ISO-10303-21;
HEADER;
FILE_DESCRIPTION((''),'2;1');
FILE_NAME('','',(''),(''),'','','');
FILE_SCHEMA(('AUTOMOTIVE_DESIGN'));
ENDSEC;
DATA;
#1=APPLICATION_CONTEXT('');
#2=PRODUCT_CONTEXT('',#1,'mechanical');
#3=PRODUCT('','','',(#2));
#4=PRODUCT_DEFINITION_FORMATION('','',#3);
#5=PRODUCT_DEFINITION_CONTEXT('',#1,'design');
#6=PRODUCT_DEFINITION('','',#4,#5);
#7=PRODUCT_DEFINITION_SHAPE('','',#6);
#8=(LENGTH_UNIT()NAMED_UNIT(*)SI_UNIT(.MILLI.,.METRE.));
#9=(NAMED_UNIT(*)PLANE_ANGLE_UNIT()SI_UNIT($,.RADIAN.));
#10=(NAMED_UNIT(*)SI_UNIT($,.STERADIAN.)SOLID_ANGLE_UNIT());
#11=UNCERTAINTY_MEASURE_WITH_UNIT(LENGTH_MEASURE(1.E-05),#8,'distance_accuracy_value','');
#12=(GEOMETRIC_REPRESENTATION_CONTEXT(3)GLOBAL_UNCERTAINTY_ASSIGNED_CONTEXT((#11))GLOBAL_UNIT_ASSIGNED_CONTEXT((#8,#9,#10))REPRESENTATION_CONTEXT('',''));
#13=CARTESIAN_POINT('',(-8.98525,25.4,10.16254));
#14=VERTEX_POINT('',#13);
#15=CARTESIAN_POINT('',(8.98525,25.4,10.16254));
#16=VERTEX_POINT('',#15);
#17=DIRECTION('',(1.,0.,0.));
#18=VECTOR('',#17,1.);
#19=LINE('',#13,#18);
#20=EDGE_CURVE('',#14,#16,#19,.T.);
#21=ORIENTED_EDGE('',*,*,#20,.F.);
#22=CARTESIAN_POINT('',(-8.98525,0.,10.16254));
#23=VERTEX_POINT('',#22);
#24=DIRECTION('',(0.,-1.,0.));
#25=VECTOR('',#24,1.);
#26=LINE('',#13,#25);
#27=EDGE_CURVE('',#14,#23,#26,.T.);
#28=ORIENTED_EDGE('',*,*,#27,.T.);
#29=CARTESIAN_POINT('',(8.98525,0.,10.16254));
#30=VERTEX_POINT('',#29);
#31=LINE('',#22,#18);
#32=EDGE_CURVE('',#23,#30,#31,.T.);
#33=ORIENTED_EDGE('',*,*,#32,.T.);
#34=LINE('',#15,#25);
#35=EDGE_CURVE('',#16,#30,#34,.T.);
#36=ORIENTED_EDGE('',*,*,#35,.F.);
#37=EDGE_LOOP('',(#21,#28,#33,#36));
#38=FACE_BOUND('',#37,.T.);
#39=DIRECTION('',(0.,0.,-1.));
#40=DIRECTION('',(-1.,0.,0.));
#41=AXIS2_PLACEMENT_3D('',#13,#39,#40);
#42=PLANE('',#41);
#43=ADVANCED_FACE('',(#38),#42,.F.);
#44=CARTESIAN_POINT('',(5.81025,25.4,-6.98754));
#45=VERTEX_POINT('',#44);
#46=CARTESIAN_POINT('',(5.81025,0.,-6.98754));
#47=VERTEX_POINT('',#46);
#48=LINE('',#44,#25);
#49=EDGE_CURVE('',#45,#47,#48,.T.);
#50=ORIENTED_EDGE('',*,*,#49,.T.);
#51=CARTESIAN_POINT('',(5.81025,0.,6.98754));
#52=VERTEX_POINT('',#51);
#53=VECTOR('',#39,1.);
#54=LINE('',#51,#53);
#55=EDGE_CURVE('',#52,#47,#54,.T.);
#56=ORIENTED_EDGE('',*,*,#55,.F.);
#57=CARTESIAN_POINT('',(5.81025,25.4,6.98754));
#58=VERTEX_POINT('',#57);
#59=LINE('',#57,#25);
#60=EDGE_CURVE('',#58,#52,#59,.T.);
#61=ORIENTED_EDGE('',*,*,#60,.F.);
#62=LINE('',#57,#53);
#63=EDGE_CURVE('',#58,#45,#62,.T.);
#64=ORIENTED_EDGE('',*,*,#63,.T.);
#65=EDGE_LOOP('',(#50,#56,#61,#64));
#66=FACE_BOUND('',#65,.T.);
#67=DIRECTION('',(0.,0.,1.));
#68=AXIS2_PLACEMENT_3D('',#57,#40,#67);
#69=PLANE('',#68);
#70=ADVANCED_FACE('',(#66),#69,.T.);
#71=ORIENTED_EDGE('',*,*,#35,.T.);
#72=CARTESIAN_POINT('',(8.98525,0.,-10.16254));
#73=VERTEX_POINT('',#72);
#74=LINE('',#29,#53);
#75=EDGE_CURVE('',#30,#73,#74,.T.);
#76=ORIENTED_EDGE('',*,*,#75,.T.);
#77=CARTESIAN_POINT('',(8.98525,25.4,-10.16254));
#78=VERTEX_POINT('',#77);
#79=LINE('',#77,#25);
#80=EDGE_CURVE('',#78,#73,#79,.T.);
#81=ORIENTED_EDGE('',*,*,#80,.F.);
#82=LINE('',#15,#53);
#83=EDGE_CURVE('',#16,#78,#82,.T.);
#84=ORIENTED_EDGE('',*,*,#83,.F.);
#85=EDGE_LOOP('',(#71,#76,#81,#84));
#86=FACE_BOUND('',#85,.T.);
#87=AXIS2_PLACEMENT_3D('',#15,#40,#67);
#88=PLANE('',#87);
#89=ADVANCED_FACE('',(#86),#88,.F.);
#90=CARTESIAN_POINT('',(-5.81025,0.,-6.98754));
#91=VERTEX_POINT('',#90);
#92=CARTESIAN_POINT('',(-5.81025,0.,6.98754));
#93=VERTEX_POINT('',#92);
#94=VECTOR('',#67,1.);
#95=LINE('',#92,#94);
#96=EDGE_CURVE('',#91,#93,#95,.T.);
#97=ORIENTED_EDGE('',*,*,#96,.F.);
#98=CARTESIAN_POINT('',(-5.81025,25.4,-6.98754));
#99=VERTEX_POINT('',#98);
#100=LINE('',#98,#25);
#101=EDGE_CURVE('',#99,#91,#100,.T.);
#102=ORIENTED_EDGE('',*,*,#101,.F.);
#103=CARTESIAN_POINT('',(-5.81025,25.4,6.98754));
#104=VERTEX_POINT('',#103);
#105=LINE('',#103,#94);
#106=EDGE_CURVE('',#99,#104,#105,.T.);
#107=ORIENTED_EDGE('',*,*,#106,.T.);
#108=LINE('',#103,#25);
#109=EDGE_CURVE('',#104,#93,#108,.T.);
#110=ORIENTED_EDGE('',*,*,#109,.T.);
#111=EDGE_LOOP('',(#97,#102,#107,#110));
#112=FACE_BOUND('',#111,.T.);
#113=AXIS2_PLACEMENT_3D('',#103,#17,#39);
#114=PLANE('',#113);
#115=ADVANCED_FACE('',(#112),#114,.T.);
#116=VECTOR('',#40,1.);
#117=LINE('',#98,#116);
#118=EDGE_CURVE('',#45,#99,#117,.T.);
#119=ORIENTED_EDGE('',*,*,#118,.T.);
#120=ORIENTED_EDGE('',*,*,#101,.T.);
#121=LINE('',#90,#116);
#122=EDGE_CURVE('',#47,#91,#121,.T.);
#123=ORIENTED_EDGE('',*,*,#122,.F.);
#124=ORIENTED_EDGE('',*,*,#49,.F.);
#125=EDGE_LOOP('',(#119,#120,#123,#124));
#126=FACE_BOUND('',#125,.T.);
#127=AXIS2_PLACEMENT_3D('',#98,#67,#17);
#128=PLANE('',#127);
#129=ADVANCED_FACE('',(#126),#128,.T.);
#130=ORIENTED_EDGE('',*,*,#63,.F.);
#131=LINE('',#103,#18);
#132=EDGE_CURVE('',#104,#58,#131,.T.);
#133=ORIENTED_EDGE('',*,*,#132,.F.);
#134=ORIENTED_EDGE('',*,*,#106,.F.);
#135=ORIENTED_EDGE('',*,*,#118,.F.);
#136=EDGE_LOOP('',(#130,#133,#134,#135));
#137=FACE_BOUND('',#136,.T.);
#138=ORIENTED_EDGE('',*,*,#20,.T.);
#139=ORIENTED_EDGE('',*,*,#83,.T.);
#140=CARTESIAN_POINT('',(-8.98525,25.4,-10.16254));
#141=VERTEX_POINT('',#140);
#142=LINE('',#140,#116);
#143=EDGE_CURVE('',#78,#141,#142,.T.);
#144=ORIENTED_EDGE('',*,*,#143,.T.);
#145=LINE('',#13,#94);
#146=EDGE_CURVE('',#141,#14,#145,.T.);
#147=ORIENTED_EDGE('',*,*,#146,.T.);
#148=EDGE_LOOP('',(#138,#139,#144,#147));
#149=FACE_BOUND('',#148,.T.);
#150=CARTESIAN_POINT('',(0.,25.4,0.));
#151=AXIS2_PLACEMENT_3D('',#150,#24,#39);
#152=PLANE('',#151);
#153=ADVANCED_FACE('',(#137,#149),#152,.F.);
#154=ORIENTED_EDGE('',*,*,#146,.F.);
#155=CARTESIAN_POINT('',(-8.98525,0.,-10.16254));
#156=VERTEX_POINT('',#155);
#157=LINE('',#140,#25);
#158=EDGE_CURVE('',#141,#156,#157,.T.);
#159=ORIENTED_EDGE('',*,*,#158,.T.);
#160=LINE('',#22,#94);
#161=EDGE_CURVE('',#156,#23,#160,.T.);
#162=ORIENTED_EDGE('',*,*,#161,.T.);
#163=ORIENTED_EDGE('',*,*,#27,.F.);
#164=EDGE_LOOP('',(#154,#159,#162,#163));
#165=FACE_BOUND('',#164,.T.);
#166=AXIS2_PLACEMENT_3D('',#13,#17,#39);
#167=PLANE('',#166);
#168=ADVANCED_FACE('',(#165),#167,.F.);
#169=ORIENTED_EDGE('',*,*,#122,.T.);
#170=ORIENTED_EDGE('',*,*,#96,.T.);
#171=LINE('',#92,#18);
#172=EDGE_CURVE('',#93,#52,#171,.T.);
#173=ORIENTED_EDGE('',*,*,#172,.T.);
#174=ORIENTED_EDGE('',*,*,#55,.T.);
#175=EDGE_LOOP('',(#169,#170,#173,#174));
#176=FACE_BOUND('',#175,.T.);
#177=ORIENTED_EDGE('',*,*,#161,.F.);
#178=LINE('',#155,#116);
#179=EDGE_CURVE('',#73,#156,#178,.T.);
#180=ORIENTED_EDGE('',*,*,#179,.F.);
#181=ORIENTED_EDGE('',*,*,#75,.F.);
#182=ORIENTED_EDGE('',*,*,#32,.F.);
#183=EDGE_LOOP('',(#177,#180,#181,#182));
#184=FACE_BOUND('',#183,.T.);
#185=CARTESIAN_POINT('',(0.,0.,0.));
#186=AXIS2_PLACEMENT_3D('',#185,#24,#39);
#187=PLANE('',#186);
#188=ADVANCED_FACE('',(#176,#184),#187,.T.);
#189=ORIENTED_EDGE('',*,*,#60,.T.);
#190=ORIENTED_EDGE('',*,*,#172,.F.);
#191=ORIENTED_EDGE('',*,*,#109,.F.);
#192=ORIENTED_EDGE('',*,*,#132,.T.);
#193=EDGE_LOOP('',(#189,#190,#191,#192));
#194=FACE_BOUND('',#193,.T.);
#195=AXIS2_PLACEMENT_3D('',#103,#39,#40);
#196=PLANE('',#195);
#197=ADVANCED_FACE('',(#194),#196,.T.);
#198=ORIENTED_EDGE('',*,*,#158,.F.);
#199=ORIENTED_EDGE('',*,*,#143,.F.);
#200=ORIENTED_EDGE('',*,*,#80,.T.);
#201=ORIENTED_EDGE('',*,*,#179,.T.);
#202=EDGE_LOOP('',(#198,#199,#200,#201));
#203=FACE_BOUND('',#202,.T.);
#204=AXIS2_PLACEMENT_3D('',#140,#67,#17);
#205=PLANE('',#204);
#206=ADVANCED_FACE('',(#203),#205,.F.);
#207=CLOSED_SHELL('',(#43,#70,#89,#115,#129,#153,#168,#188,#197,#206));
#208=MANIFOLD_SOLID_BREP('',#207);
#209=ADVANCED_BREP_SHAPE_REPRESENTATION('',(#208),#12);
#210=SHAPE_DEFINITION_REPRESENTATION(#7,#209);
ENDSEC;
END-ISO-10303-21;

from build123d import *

# Parameters (mm, degrees)
SKETCH1_W           = 17.9705
SKETCH1_H           = 20.32508
SKETCH1_W_2         = 11.6205
SKETCH1_H_2         = 13.97508
BOSS_EXTRUDE1_DEPTH = 25.4


with BuildPart() as part:
    # Sketch1 → Boss-Extrude1 (new body)
    with BuildSketch(Plane(origin=(0, 0, 0), x_dir=(1, 0, 0), z_dir=(0, 1, 0))):
        Rectangle(SKETCH1_W, SKETCH1_H)
        Rectangle(SKETCH1_W_2, SKETCH1_H_2, mode=Mode.SUBTRACT)
    extrude(amount=BOSS_EXTRUDE1_DEPTH)


solid = part.part
